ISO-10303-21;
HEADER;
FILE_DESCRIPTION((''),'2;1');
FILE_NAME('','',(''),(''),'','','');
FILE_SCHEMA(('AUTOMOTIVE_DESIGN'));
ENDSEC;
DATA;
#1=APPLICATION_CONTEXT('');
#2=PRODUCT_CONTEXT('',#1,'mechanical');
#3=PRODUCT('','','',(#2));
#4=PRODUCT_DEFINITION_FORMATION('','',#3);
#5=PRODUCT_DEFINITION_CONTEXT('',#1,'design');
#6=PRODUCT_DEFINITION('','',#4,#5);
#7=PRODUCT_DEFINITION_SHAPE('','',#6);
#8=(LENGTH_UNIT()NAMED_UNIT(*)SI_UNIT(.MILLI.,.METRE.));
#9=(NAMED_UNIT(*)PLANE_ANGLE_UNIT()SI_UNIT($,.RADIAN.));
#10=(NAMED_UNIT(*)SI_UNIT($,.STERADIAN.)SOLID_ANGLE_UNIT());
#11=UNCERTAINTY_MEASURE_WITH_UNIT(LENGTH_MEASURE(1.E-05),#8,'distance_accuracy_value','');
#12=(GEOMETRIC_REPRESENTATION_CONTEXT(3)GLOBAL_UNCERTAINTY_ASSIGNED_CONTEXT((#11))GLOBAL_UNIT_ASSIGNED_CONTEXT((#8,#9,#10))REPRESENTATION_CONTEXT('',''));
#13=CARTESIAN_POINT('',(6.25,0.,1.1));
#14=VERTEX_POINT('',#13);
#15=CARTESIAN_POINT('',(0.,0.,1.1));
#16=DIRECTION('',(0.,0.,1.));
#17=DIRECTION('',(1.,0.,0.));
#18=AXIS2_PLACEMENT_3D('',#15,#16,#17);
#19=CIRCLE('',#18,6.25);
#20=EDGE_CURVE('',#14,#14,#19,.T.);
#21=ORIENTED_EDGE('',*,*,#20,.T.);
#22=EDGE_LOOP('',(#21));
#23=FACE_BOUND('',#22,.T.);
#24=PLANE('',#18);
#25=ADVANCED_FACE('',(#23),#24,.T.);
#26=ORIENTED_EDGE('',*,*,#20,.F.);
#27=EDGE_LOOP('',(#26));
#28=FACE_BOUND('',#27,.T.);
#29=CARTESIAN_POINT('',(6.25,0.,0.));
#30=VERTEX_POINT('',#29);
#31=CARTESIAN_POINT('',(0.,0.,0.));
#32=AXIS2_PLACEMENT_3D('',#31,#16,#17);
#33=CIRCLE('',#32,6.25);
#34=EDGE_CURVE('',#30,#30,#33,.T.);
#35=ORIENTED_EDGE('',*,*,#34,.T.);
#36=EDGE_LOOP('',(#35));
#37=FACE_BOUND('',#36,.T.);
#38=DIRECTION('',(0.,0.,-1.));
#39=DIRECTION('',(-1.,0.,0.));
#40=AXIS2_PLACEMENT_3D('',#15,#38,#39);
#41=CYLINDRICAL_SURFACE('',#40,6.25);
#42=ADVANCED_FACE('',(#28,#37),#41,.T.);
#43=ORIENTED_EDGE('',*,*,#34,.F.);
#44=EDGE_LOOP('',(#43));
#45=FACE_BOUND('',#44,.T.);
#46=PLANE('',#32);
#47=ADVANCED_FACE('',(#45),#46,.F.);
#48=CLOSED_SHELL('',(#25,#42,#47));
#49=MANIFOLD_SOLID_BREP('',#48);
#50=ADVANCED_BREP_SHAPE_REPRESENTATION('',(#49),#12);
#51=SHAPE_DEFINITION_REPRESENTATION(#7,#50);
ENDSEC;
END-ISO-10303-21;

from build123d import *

# Parameters (mm, degrees)
SKETCH_1_R      = 6.25
EXTRUDE_1_DEPTH = 1.1


with BuildPart() as part:
    # 草图1 → 凸台-拉伸1 (new body)
    with BuildSketch(Plane.XY):
        Circle(SKETCH_1_R)
    extrude(amount=EXTRUDE_1_DEPTH)


solid = part.part
